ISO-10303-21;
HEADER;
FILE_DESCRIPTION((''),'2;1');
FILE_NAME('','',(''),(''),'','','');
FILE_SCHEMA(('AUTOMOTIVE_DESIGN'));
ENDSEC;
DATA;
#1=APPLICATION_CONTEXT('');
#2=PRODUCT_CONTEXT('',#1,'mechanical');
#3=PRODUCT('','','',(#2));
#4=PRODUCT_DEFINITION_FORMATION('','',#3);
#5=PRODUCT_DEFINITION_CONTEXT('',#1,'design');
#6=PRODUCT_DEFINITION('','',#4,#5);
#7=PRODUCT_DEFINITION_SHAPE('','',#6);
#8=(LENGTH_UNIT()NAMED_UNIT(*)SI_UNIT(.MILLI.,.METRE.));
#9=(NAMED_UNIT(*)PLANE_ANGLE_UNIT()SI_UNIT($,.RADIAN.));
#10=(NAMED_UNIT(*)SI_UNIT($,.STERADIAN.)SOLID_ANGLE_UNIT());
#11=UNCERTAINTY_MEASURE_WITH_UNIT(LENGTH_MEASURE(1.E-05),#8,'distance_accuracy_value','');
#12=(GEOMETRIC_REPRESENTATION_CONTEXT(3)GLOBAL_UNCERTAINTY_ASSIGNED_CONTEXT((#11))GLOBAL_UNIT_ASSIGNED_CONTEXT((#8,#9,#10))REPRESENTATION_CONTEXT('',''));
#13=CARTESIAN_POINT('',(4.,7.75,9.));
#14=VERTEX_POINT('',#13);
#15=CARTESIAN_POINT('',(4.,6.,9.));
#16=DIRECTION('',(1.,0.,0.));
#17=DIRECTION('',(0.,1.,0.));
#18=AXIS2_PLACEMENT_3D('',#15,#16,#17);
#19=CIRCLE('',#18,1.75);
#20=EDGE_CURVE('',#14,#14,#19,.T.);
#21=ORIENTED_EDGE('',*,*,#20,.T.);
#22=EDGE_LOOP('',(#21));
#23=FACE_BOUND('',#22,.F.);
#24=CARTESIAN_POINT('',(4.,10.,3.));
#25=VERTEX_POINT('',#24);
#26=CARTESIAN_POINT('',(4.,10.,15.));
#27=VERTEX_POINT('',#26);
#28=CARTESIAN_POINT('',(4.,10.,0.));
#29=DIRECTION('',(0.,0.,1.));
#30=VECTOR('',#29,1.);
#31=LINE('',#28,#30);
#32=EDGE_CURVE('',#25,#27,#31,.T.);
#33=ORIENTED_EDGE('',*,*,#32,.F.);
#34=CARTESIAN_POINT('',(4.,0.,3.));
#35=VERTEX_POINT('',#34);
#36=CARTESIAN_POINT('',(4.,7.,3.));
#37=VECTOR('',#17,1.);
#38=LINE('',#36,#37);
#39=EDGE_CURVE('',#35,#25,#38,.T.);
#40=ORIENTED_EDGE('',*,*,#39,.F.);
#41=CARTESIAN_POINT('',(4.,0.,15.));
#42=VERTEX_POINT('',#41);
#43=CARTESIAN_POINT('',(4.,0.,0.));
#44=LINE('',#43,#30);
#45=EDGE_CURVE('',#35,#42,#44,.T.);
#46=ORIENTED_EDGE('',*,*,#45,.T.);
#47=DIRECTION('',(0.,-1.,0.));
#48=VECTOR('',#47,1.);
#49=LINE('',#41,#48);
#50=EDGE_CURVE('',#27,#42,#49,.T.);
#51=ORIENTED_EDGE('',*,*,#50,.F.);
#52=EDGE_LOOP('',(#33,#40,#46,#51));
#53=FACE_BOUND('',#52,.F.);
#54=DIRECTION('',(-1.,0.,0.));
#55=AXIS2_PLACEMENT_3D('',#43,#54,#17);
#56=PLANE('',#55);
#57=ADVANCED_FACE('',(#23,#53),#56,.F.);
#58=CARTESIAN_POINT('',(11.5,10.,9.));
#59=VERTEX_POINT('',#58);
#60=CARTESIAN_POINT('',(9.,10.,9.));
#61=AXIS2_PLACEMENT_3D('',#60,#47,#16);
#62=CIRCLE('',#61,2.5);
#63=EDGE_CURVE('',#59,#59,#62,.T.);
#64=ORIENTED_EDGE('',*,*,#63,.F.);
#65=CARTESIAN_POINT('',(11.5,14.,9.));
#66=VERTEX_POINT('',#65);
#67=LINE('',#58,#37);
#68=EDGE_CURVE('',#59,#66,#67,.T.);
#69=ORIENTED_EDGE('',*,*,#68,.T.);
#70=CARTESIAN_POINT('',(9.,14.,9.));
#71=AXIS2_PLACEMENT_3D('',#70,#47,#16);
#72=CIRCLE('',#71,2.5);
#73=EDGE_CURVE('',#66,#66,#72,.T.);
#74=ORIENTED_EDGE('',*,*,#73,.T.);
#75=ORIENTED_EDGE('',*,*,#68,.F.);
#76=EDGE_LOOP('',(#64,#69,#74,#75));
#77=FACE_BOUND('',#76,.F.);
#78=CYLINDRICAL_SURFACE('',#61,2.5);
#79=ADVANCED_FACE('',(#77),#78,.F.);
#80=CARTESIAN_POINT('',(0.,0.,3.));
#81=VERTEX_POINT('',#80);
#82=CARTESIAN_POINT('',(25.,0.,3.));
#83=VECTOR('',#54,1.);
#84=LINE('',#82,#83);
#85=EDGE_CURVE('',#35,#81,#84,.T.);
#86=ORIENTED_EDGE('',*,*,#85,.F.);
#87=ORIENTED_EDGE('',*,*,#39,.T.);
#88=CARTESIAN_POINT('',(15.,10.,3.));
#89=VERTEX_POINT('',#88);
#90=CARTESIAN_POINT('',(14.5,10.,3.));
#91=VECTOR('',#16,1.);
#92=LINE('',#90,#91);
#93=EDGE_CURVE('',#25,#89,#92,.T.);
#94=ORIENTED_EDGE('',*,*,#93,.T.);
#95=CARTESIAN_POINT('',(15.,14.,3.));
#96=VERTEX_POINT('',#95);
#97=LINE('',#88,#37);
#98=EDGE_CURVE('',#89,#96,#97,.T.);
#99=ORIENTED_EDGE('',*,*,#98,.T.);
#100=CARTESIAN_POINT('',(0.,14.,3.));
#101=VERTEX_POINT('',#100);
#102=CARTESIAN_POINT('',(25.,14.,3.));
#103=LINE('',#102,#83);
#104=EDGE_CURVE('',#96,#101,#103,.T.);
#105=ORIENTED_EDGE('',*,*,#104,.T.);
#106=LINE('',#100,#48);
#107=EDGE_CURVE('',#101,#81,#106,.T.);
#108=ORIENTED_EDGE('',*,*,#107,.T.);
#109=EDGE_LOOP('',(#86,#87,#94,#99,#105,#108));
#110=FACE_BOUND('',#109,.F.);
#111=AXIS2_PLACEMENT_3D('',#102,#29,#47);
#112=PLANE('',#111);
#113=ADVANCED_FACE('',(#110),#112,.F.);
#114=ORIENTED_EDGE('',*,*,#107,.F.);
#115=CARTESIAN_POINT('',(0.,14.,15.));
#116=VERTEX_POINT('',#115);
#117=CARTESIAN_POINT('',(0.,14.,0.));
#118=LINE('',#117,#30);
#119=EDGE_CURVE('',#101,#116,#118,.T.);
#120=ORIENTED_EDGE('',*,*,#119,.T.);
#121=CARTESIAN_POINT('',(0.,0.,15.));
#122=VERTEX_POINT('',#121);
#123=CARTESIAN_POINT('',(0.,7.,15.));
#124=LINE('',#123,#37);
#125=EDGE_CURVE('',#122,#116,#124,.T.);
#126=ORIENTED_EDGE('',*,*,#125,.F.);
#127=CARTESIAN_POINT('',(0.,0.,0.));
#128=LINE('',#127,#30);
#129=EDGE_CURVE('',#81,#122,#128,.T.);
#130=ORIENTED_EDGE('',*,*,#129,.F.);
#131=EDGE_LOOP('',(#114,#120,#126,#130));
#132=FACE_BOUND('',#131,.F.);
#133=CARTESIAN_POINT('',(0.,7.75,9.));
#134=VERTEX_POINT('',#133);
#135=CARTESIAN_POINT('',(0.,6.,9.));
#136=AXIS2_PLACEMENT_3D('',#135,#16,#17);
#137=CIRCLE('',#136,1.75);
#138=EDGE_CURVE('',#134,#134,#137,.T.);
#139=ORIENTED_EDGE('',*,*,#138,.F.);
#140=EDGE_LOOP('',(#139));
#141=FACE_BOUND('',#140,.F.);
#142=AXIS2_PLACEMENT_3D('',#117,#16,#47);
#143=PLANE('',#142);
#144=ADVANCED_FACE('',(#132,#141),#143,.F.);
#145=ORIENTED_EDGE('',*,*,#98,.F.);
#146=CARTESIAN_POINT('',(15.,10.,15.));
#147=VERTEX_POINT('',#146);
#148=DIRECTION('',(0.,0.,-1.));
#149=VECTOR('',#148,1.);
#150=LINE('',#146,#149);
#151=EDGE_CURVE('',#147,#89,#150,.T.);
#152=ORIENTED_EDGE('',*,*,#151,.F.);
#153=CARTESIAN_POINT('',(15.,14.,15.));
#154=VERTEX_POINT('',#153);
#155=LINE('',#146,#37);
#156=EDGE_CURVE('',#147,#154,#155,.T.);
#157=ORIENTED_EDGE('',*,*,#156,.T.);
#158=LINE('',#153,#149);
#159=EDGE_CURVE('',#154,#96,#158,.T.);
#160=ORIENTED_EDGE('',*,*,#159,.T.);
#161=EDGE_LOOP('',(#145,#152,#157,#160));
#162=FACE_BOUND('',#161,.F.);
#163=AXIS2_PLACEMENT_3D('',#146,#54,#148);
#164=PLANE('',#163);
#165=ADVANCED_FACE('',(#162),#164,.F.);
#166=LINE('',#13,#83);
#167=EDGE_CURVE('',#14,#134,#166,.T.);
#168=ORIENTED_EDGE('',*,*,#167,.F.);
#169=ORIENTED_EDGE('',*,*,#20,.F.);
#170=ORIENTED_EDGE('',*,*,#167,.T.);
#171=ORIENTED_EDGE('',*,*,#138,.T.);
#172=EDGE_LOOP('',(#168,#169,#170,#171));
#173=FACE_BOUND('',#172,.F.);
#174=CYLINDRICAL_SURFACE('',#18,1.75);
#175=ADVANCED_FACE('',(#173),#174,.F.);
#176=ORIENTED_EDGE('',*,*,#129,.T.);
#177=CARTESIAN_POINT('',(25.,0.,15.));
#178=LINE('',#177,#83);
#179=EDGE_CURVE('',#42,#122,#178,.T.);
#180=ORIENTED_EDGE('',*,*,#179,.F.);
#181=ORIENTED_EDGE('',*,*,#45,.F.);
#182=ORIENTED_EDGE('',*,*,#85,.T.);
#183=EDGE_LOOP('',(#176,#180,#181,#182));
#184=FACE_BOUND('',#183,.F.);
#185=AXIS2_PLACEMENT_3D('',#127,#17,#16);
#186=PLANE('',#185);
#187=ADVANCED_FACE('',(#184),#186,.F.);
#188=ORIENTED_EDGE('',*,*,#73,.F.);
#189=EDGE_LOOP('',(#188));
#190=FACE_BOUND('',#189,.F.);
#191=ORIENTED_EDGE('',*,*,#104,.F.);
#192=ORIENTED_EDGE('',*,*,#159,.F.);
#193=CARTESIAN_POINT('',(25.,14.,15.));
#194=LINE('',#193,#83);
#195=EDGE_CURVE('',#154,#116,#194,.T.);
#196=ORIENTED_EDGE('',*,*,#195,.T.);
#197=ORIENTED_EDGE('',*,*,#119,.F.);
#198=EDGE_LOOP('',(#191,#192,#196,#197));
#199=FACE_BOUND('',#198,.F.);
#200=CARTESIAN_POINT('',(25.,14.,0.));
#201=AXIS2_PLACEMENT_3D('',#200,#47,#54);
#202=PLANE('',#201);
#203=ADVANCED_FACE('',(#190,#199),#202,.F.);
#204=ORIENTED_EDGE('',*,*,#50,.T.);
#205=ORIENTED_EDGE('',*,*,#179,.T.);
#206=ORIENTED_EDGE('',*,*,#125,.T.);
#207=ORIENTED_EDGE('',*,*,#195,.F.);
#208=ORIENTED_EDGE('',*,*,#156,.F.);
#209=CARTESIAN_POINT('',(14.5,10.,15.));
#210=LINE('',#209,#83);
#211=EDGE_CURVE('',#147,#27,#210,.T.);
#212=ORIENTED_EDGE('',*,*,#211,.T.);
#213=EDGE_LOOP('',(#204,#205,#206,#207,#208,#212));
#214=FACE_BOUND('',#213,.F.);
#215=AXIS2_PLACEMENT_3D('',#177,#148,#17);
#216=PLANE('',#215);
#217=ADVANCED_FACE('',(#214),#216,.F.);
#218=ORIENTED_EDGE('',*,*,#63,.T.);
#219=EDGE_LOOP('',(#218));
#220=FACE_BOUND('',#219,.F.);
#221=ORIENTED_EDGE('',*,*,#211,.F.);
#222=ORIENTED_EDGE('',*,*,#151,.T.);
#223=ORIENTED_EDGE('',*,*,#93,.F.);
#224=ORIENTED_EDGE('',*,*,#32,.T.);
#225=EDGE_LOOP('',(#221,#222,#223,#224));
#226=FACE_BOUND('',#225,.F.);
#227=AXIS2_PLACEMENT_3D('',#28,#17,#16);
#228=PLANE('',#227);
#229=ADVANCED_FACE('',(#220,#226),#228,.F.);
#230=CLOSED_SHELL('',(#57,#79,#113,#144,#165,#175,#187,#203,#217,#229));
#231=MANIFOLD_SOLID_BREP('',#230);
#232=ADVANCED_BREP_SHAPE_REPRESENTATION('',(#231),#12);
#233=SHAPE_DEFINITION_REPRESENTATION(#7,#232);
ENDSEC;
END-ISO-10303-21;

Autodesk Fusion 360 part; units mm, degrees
sketch "Szkic3" plane through (0, 0, 0) normal (0, 0, 1) x (1, 0, 0)
  line L0 (0, 0) -> (4, 0)
  line L1 (4, 0) -> (4, 10)
  line L2 (4, 10) -> (25, 10)
  line L3 (25, 10) -> (25, 14)
  line L4 (25, 14) -> (0, 14)
  line L5 (0, 14) -> (0, 0)
extrude "Wyciągnięcie proste3" add sketch "Szkic3" along normal blind 55
sketch "Szkic4" plane through (4, 0, 0) normal (1, 0, 0) x (0, 1, 0)
  line L0 (0, 0) -> (10, 0)
  line L1 (10, 0) -> (10, 55)
  line L2 (10, 55) -> (0, 55)
  line L3 (0, 55) -> (0, 0)
  circle A0 centre (6, 9) radius 1.75
  circle A1 centre (6, 47) radius 1.75
  dimension "d19" = 38
  dimension "d20" = 3.5
  dimension "d21" = 3.5
extrude "Wyciągnięcie proste4" cut sketch "Szkic4" against normal blind 4 contours A0 | A1
sketch "Szkic5" plane through (25, 0, 0) normal (1, 0, 0) x (0, 1, 0)
  line L0 (10, 0) -> (14, 0)
  line L1 (14, 0) -> (14, 55)
  line L2 (14, 55) -> (10, 55)
  line L3 (10, 55) -> (10, 0)
  line L4 (14, 55) -> (0, 55)
  line L5 (0, 55) -> (0, 15)
  line L6 (0, 15) -> (14, 15)
  line L7 (14, 15) -> (14, 55)
  line L8 (14, 3) -> (0, 3)
  line L9 (0, 3) -> (0, 0)
  line L10 (0, 0) -> (14, 0)
  line L11 (14, 0) -> (14, 3)
extrude "Wyciągnięcie proste5" cut sketch "Szkic5" against normal blind 37 contours L0 L1 L3 L8 L10 L11 | L3 L8 L9 L10 | L3 L4 L5 L6 | L1 L2 L3 L4 L6 L7
sketch "Szkic6" plane through (0, 10, 0) normal (0, -1, 0) x (1, 0, 0)
  line L0 (25, 15) -> (4, 15)
  line L1 (4, 15) -> (4, 3)
  line L2 (4, 3) -> (25, 3)
  line L3 (25, 3) -> (25, 15)
  line L4 (25, 15) -> (15, 15)
  line L5 (15, 15) -> (15, 3)
  line L6 (15, 3) -> (25, 3)
  line L7 (25, 3) -> (25, 15)
  circle A0 centre (9, 9) radius 2.5
  dimension "d26" = 5
extrude "Wyciągnięcie proste6" cut sketch "Szkic6" against normal blind 4 contours L0 L2 L3 L4 L5 L6 L7 | A0
